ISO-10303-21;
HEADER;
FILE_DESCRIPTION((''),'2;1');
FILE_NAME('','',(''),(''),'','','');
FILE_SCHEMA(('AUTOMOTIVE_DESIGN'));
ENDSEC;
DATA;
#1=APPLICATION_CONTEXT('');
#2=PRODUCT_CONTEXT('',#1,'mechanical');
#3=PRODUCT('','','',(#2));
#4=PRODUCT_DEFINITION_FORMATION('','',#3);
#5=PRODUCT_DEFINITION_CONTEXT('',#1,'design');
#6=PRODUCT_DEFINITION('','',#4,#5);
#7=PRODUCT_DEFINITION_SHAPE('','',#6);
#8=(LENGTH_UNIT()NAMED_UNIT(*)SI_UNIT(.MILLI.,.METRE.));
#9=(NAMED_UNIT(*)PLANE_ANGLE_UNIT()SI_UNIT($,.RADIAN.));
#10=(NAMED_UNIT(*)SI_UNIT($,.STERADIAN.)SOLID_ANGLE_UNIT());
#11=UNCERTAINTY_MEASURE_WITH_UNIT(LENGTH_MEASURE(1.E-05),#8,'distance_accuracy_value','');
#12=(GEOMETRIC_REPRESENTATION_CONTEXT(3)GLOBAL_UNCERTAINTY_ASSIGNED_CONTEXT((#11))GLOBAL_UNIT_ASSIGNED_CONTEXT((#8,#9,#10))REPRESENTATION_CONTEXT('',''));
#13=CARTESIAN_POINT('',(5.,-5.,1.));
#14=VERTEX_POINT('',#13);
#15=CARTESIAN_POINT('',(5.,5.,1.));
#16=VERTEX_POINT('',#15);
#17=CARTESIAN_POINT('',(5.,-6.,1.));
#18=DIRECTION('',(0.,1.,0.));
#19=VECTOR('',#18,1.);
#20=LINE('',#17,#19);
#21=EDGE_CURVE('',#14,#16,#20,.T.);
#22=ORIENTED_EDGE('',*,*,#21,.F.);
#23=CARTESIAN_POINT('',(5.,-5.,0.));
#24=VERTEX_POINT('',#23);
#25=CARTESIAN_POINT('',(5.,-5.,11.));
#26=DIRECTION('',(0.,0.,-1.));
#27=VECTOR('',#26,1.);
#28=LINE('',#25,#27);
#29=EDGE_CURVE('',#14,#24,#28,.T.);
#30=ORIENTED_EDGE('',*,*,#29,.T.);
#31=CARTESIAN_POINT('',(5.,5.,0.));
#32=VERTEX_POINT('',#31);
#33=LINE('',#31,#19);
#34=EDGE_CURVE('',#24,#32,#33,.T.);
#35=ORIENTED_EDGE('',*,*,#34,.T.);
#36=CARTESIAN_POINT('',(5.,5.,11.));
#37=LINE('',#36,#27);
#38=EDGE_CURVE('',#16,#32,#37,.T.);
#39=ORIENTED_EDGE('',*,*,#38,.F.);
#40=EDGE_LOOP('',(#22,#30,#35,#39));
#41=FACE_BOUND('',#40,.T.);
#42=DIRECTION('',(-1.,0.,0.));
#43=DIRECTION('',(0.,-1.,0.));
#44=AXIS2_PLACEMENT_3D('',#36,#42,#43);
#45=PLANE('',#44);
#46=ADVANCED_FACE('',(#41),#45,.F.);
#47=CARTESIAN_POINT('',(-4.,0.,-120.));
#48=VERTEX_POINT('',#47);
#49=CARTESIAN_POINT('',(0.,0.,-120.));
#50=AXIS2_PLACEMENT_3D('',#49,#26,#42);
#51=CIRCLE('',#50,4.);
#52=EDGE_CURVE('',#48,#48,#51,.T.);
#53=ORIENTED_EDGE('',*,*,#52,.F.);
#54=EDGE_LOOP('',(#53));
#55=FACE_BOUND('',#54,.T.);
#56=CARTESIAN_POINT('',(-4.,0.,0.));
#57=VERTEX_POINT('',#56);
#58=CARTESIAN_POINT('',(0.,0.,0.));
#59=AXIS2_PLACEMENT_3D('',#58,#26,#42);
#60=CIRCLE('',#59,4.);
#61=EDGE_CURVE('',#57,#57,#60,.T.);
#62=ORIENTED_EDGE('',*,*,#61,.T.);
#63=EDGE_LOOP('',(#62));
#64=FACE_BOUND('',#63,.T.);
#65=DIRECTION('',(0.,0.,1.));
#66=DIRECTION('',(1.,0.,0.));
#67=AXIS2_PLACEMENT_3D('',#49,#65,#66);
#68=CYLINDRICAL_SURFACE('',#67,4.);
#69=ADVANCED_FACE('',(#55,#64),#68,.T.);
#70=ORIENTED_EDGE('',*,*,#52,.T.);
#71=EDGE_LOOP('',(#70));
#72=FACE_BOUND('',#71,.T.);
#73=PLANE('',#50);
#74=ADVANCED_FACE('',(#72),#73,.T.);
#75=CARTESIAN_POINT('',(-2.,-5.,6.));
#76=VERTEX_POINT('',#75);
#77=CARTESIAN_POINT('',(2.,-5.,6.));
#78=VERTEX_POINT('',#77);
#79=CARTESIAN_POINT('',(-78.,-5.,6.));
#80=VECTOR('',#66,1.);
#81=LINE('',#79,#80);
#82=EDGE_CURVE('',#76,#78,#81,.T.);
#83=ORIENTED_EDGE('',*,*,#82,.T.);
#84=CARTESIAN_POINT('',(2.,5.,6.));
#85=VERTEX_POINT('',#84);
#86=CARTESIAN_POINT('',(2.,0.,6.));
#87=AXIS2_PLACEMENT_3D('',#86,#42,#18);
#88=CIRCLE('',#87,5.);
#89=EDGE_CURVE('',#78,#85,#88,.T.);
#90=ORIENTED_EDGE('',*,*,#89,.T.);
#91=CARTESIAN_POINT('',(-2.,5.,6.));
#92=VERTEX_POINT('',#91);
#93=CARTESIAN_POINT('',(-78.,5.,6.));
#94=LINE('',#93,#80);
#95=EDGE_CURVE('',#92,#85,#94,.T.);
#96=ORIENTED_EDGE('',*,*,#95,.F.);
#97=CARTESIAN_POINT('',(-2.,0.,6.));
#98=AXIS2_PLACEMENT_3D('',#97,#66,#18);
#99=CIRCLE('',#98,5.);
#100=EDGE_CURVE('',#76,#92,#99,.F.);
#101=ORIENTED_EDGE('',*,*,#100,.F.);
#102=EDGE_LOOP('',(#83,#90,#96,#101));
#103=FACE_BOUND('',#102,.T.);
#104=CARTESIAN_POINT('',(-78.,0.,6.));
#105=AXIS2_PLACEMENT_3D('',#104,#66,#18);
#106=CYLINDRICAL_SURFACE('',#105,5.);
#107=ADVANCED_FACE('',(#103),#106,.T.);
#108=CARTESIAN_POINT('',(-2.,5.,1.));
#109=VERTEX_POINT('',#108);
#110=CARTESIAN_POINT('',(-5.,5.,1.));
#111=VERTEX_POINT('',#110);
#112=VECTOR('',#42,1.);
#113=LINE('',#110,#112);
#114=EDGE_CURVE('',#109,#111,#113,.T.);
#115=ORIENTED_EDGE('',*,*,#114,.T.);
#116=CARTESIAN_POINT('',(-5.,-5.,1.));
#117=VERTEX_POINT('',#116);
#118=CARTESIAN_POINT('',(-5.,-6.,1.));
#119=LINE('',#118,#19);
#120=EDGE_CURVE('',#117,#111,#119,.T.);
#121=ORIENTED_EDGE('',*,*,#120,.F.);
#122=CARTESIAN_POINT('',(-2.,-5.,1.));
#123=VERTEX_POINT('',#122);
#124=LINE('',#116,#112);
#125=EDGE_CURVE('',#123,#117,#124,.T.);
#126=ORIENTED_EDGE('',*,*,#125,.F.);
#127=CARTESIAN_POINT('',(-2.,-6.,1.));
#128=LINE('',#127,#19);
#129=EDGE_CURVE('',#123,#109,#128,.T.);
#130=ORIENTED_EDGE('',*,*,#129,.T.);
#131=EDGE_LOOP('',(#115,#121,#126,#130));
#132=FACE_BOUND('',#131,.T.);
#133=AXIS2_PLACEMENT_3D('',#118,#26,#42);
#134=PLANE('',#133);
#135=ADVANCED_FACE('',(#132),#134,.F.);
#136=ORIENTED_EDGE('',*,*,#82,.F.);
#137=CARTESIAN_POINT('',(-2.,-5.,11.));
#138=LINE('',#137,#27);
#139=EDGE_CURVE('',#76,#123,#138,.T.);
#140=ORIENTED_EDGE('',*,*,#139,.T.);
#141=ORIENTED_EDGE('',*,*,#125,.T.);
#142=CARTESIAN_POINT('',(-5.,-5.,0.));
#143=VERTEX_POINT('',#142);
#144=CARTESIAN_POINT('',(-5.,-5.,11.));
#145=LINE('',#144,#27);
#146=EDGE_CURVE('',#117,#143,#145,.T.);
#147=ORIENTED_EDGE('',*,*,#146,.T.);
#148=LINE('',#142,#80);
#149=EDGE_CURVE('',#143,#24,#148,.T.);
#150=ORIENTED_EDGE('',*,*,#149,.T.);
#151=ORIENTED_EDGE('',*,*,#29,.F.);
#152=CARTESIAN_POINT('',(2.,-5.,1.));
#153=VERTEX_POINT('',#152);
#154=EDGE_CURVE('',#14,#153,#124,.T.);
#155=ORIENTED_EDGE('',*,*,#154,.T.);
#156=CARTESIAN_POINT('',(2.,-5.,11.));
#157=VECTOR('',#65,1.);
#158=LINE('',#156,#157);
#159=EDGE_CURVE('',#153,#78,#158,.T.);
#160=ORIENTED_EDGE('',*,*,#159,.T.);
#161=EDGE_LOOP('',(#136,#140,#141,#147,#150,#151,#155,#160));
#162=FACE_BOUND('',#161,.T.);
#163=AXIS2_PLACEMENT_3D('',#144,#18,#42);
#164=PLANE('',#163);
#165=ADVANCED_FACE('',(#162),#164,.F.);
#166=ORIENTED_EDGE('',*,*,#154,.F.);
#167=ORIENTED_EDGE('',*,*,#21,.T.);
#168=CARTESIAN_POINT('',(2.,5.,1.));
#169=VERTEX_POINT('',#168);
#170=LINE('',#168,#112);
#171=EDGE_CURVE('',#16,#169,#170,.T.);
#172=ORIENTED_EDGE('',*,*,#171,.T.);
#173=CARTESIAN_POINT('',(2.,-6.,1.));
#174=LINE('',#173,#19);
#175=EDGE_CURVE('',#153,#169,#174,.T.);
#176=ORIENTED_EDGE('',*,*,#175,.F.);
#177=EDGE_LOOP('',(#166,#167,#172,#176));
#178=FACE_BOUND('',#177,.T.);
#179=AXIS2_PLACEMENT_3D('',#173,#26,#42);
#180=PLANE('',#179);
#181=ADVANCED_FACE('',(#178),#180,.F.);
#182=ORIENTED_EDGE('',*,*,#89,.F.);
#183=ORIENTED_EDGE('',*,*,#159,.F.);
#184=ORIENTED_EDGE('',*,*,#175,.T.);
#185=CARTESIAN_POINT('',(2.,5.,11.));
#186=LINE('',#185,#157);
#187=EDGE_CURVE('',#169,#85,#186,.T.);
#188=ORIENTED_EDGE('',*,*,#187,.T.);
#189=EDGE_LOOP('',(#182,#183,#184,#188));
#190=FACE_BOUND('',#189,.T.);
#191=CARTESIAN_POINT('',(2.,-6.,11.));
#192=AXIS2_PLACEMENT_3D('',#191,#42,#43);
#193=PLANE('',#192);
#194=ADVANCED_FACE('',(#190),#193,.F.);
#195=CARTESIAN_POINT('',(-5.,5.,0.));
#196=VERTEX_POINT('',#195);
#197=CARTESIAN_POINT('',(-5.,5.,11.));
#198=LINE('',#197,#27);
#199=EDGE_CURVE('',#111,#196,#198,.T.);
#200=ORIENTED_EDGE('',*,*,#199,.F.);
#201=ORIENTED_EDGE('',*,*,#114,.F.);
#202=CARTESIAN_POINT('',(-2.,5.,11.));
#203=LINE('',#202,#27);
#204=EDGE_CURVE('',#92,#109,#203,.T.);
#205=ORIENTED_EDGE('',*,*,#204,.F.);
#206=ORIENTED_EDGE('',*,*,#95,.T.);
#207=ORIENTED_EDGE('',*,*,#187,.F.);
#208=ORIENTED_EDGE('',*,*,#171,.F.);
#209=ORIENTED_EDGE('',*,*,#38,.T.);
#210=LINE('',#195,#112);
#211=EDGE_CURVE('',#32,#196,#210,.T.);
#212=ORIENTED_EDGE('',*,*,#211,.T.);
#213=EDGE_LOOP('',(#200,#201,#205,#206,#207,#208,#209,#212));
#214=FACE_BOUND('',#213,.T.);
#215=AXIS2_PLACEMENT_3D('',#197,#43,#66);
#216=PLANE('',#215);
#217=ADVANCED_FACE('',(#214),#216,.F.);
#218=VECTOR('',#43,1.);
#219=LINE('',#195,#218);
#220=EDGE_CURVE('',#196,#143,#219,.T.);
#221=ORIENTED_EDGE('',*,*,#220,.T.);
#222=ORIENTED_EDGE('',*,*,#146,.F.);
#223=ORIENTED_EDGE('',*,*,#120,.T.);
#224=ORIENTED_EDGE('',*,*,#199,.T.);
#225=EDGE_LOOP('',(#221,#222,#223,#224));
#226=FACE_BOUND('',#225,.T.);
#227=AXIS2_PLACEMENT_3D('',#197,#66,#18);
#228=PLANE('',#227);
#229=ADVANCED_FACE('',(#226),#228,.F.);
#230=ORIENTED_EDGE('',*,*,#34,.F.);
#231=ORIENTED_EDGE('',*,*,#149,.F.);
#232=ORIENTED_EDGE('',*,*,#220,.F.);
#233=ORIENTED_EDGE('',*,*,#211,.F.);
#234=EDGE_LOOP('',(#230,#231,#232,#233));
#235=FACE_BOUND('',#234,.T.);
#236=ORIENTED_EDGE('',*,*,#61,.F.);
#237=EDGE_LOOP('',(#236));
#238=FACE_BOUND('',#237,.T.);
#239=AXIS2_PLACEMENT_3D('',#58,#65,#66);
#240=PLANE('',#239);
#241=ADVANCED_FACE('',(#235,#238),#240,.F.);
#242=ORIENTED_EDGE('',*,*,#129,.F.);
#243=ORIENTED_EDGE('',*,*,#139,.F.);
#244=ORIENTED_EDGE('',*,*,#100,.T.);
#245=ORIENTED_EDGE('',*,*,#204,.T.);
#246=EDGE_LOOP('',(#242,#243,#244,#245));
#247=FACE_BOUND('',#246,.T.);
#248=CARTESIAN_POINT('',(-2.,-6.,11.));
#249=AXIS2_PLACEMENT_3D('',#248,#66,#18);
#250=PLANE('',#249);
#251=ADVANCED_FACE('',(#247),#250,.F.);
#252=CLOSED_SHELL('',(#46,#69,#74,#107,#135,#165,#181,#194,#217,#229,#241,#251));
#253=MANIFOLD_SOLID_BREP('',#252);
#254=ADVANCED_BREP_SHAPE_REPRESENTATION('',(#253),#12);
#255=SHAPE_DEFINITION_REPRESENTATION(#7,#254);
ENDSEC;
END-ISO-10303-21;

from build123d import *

# Parameters (mm, degrees)
SKETCH_1_W          = 10
SKETCH_1_H          = 10
EXTRUDE_1_DEPTH     = 11
SKETCH_2_W          = 3
SKETCH_2_H          = 10
CUT_EXTRUDE_1_DEPTH = 11
SKETCH_3_R          = 4
EXTRUDE_2_DEPTH     = 120
CUT_EXTRUDE_2_DEPTH = 80


with BuildPart() as part:
    # 草图1 → 凸台-拉伸1 (new body)
    with BuildSketch(Plane.XY):
        Rectangle(SKETCH_1_W, SKETCH_1_H)
    extrude(amount=EXTRUDE_1_DEPTH)

    # 草图2 → 切除-拉伸1 (cut)
    with BuildSketch(Plane(origin=(0, 5, 0), x_dir=(1, 0, 0), z_dir=(0, 1, 0))):
        with Locations((-3.5, -6)):
            Rectangle(SKETCH_2_W, SKETCH_2_H)
        with Locations((3.5, -6)):
            Rectangle(SKETCH_2_W, SKETCH_2_H)
    extrude(amount=-CUT_EXTRUDE_1_DEPTH, mode=Mode.SUBTRACT)

    # 草图3 → 凸台-拉伸2 (add)
    with BuildSketch(Plane(origin=(0, 0, 0), x_dir=(-1, 0, 0), z_dir=(0, 0, -1))):
        Circle(SKETCH_3_R)
    extrude(amount=EXTRUDE_2_DEPTH)

    # 草图4 → 切除-拉伸2 (cut)
    with BuildSketch(Plane(origin=(2, 0, 0), x_dir=(0, 0, -1), z_dir=(1, 0, 0))):
        with BuildLine():
            Line((-6, 5), (-12.295699944, 5))
            Line((-12.295699944, 5), (-12.295699944, -5))
            Line((-12.295699944, -5), (-6, -5))
            ThreePointArc((-6, -5), (-11, 0), (-6, 5))
        make_face()
    extrude(amount=-CUT_EXTRUDE_2_DEPTH, mode=Mode.SUBTRACT)


solid = part.part
